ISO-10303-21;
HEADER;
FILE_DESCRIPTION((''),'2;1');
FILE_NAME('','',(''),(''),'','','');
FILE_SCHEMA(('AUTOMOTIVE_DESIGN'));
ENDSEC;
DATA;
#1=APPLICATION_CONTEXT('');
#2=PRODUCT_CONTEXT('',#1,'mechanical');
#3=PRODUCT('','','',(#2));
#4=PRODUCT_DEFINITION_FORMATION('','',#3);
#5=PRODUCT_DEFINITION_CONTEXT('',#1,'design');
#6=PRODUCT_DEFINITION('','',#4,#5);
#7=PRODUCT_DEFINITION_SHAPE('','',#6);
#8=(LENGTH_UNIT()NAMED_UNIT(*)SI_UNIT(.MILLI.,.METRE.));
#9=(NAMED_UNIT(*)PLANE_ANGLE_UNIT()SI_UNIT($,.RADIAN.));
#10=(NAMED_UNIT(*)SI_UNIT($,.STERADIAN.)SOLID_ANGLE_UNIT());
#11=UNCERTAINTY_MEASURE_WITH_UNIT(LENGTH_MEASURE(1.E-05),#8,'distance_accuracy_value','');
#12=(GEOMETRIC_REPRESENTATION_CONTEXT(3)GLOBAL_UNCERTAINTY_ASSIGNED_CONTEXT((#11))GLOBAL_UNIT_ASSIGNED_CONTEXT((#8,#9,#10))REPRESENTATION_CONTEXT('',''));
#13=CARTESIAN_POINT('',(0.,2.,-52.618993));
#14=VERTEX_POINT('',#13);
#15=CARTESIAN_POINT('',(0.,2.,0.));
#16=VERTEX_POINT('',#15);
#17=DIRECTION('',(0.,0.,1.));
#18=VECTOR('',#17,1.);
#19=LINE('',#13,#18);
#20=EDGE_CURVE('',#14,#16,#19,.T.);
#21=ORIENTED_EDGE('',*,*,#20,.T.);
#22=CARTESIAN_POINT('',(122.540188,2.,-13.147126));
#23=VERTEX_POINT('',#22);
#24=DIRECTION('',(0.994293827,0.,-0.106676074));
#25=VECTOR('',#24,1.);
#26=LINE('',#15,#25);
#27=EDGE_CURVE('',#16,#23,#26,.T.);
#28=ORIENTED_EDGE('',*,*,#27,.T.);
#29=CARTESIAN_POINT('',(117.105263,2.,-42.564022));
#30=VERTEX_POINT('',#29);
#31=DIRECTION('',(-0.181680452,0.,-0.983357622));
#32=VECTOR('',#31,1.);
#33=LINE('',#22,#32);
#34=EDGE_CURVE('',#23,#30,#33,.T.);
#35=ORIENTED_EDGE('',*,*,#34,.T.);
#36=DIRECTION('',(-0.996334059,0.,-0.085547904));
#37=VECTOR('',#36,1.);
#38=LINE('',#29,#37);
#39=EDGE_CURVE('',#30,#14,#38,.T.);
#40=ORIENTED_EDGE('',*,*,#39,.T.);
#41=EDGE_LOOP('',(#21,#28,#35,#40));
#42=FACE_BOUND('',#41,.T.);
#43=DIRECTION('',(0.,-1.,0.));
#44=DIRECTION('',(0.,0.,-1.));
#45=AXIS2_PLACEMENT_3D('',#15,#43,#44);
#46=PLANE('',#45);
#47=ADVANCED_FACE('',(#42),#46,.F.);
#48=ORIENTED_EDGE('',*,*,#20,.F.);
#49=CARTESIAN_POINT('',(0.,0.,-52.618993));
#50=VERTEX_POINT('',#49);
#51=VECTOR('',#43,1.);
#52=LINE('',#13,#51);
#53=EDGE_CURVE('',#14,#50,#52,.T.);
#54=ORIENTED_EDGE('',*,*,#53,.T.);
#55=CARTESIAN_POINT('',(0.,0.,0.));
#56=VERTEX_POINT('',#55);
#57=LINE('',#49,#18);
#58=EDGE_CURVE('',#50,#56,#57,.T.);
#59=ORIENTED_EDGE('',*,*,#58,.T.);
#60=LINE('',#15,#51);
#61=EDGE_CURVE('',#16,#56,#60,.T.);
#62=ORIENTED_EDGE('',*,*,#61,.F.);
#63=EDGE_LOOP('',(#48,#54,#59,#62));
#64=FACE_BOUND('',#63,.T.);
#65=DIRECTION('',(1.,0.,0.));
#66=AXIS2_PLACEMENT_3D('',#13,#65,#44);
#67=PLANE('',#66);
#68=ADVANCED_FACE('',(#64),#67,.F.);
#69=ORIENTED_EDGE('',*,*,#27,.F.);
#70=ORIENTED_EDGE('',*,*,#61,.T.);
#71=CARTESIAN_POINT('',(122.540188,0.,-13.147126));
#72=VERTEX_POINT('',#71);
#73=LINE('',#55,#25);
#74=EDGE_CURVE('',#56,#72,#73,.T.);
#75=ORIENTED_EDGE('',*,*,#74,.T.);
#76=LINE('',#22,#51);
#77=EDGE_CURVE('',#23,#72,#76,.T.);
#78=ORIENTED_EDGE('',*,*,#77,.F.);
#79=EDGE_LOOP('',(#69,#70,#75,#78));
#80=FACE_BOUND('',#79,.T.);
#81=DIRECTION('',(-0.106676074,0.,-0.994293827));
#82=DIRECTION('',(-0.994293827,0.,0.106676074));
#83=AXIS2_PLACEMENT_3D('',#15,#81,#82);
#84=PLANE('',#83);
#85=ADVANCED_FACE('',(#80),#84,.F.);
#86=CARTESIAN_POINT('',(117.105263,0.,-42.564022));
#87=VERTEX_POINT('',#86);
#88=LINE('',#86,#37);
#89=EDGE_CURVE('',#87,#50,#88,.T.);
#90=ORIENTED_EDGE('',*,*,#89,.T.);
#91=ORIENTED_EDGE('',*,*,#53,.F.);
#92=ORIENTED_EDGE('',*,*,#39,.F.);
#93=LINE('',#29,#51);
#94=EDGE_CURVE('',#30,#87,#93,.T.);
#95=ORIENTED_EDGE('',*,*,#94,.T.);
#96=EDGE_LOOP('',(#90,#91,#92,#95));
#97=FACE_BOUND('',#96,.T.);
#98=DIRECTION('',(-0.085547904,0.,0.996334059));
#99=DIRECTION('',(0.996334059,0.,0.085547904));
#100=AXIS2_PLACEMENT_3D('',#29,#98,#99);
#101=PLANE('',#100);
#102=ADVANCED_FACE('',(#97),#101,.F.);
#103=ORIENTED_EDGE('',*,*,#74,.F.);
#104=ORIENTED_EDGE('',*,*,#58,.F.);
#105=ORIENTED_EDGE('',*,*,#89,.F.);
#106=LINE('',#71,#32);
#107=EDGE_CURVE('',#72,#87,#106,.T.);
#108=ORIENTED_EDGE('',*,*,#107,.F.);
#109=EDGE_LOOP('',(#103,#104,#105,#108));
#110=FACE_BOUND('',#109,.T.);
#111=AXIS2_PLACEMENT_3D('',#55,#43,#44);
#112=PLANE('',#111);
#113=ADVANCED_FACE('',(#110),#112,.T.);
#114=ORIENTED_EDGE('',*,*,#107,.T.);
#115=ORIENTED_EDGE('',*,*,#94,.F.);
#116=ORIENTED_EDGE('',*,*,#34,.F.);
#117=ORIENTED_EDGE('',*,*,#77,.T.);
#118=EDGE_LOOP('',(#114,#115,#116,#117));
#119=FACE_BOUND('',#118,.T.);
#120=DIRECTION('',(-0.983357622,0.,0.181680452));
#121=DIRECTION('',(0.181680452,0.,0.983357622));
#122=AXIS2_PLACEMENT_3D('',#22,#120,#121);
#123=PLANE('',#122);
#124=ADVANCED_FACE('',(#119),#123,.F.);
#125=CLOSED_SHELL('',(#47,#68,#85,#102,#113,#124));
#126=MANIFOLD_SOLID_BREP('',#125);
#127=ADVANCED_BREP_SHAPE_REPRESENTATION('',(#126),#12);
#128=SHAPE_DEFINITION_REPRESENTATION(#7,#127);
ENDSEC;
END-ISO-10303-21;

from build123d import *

# Parameters (mm, degrees)
BOSS_EXTRU_1_DEPTH = 2


with BuildPart() as part:
    # Esquisse1 → Boss.-Extru.1 (new body)
    with BuildSketch(Plane(origin=(0, 0, 0), x_dir=(1, 0, 0), z_dir=(0, 1, 0))):
        Polygon((117.105263204, 42.564022224), (0, 52.618992939), (0, 0), (122.540188295, 13.147125987), align=None)
    extrude(amount=BOSS_EXTRU_1_DEPTH)


solid = part.part
